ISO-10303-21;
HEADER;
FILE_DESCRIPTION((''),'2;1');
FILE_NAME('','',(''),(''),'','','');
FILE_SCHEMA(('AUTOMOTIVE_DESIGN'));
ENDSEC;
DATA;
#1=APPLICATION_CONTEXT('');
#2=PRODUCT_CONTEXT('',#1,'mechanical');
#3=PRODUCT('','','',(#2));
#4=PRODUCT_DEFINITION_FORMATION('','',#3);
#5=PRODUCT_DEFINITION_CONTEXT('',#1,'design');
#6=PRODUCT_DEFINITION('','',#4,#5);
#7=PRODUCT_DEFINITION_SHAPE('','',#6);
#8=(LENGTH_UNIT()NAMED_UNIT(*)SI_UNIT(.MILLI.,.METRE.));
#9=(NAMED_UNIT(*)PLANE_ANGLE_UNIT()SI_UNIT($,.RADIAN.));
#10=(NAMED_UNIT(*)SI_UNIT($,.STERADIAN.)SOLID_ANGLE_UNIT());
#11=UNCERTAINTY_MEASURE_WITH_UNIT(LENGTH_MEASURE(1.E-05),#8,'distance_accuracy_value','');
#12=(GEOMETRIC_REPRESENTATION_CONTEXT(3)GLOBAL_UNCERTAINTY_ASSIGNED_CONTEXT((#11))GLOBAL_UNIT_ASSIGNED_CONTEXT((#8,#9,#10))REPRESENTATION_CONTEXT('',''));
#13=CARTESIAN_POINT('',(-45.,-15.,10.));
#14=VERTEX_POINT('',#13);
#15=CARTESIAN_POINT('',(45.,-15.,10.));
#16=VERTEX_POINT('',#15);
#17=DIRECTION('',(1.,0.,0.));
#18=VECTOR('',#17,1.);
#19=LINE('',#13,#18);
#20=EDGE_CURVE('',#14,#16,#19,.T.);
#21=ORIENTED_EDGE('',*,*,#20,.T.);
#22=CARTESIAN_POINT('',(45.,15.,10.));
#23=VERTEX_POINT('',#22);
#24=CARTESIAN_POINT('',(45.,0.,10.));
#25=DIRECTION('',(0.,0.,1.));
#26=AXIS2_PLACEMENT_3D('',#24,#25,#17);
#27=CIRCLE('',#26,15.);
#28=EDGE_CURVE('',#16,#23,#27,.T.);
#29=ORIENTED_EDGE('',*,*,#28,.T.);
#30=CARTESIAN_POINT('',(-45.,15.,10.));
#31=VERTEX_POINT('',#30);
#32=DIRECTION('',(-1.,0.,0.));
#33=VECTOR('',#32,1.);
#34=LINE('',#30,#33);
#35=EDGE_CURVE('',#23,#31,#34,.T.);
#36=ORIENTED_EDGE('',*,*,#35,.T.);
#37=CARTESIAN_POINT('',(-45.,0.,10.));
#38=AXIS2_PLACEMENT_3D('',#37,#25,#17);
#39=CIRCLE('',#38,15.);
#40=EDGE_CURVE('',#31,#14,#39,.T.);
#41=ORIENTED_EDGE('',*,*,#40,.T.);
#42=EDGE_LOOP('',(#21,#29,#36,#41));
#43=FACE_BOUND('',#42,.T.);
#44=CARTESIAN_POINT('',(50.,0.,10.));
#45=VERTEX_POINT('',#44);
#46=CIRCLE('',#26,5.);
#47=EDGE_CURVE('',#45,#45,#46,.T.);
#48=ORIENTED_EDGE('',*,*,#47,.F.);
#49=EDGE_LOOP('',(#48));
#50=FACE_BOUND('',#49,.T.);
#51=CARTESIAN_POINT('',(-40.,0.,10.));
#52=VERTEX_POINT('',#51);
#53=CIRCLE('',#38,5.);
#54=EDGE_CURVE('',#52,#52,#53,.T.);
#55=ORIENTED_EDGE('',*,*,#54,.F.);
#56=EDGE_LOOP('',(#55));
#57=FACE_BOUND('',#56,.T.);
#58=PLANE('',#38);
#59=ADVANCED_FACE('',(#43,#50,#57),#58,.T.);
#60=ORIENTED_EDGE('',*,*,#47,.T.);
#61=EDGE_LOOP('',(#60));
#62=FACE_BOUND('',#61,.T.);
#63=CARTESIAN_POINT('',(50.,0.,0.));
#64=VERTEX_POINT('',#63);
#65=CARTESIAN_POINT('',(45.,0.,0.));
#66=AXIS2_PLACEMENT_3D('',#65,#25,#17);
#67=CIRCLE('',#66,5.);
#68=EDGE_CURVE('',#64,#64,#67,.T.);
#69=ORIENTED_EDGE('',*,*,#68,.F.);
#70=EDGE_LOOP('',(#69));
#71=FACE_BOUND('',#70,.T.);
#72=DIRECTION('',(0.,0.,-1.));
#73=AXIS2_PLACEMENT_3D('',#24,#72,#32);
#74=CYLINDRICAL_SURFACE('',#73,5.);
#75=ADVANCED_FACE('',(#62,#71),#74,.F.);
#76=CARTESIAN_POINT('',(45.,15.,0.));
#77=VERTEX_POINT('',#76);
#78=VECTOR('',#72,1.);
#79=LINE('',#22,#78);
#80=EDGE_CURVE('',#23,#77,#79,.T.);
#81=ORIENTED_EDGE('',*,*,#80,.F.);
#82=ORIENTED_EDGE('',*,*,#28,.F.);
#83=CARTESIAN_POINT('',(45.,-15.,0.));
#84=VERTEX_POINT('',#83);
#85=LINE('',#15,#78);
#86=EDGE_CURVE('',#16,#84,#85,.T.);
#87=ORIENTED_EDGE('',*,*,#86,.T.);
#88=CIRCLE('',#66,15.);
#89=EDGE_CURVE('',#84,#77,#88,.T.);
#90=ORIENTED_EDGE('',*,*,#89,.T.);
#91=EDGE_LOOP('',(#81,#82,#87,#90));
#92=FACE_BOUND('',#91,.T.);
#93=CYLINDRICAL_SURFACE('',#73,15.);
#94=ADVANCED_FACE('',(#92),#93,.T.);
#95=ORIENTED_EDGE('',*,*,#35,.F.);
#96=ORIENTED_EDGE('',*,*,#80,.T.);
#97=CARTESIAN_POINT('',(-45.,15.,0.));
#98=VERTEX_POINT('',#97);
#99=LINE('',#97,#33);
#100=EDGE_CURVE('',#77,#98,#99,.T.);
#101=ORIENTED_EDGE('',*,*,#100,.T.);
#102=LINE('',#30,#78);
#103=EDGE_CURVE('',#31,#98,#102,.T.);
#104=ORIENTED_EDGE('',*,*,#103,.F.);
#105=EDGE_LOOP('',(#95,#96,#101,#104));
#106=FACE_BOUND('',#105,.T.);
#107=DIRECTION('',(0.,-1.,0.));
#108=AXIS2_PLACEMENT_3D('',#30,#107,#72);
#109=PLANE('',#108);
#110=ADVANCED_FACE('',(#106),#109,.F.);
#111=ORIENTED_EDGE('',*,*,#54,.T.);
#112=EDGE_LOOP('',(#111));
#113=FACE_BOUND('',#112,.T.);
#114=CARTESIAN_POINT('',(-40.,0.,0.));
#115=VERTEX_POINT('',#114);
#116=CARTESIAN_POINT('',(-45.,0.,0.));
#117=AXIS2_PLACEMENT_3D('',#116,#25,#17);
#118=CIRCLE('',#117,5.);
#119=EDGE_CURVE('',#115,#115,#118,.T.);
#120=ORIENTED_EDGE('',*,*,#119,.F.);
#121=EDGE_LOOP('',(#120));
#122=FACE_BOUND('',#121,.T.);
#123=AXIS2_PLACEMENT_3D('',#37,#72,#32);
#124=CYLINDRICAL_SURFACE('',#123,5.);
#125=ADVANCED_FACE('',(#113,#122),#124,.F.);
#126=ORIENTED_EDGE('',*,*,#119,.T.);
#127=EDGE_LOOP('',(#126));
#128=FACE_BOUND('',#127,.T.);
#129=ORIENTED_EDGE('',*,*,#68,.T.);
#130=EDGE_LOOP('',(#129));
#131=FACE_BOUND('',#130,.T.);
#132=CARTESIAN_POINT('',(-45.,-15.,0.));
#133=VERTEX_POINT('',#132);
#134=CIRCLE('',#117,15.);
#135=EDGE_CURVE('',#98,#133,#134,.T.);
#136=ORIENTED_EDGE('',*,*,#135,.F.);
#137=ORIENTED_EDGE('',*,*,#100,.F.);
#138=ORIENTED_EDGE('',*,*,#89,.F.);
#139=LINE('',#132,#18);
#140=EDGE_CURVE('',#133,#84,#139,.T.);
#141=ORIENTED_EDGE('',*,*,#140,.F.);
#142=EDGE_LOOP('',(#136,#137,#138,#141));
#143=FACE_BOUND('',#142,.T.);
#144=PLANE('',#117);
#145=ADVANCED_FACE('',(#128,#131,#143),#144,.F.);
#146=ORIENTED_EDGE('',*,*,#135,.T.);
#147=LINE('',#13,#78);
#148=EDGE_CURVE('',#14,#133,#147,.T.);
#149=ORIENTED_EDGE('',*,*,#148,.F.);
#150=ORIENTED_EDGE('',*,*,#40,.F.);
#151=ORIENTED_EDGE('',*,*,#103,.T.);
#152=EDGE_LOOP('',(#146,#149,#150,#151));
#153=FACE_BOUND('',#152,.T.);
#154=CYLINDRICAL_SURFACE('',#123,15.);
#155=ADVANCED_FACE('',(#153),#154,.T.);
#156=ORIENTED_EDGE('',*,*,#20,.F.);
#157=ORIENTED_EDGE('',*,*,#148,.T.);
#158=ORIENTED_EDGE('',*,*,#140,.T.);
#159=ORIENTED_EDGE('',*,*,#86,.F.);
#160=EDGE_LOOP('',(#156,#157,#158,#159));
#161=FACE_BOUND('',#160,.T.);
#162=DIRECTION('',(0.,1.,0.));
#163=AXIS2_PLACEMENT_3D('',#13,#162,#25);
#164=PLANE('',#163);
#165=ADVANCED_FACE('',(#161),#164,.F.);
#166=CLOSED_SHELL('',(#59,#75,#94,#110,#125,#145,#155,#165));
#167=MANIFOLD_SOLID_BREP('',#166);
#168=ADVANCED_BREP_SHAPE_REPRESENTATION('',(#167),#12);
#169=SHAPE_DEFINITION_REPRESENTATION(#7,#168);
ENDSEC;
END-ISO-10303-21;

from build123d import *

# Parameters (mm, degrees)
SKETCH1_R           = 5
BOSS_EXTRUDE1_DEPTH = 10


with BuildPart() as part:
    # Sketch1 → Boss-Extrude1 (new body)
    with BuildSketch(Plane.XY):
        with BuildLine():
            Line((-45, 15), (45, 15))
            ThreePointArc((45, 15), (60, 0), (45, -15))
            Line((45, -15), (-45, -15))
            ThreePointArc((-45, -15), (-60, 0), (-45, 15))
        make_face()
        with Locations((-45, 0)):
            Circle(SKETCH1_R, mode=Mode.SUBTRACT)
        with Locations((45, 0)):
            Circle(SKETCH1_R, mode=Mode.SUBTRACT)
    extrude(amount=BOSS_EXTRUDE1_DEPTH)


solid = part.part
